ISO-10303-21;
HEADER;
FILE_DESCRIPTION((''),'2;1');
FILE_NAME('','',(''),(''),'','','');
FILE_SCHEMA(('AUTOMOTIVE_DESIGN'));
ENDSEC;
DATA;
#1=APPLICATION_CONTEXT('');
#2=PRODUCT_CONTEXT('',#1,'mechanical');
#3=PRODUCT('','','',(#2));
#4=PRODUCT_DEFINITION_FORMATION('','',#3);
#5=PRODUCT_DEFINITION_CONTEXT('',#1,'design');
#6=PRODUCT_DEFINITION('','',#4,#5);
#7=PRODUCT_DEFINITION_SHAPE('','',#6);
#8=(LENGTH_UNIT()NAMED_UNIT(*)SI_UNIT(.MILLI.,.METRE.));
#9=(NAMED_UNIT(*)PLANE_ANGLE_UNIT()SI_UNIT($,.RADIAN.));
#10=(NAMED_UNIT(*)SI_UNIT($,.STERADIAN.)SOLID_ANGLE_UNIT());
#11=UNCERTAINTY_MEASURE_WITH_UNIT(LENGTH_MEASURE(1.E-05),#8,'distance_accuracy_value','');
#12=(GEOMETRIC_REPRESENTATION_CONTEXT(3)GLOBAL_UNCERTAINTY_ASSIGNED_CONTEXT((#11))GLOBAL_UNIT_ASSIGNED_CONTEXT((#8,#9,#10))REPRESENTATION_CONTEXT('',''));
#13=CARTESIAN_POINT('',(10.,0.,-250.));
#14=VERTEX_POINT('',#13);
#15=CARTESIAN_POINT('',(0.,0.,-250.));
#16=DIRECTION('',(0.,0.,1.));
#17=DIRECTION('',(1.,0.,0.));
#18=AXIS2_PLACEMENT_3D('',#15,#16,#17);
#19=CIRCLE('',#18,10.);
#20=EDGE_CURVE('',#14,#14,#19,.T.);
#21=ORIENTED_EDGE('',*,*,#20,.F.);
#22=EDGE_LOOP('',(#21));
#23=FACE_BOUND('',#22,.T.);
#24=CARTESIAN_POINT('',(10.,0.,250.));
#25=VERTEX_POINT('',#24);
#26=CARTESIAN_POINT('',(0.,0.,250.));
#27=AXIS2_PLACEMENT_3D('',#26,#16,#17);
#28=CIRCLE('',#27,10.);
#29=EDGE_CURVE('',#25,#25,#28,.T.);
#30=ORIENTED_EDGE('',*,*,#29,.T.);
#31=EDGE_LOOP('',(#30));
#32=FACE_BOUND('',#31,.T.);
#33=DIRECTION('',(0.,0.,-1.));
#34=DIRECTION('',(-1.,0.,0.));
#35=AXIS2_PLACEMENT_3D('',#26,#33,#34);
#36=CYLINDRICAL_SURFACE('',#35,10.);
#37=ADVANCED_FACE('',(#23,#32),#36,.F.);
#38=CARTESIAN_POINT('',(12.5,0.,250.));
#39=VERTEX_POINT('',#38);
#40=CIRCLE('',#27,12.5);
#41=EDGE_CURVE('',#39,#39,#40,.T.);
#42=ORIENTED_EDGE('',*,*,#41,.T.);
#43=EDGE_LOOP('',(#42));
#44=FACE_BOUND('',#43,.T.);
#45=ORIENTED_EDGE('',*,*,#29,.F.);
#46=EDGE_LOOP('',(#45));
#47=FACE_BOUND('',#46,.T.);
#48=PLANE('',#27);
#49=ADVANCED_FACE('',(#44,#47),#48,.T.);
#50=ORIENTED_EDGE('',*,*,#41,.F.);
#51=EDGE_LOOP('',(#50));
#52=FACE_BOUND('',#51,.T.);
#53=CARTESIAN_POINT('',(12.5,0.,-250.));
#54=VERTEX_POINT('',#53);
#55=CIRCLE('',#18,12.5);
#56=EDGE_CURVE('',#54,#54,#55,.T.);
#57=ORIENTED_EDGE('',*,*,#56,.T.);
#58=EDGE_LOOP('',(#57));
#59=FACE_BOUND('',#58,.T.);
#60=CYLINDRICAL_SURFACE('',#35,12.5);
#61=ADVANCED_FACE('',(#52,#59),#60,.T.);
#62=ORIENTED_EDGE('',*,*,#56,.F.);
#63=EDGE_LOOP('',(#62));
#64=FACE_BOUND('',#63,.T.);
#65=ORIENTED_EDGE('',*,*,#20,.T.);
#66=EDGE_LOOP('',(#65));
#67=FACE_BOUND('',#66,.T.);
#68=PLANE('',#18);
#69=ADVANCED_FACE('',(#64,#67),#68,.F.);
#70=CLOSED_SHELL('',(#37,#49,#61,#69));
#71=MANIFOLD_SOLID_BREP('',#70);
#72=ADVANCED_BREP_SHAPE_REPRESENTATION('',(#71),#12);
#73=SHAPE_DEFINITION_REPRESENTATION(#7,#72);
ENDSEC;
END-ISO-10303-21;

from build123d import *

# Parameters (mm, degrees)
SKETCH2_R           = 12.5
SKETCH2_R_2         = 10
EXTRUDE_THIN1_DEPTH = 250


with BuildPart() as part:
    # Sketch2 → Extrude-Thin1 (new, symmetric)
    with BuildSketch(Plane.XY):
        Circle(SKETCH2_R)
        Circle(SKETCH2_R_2, mode=Mode.SUBTRACT)
    extrude(amount=EXTRUDE_THIN1_DEPTH, both=True)


solid = part.part
